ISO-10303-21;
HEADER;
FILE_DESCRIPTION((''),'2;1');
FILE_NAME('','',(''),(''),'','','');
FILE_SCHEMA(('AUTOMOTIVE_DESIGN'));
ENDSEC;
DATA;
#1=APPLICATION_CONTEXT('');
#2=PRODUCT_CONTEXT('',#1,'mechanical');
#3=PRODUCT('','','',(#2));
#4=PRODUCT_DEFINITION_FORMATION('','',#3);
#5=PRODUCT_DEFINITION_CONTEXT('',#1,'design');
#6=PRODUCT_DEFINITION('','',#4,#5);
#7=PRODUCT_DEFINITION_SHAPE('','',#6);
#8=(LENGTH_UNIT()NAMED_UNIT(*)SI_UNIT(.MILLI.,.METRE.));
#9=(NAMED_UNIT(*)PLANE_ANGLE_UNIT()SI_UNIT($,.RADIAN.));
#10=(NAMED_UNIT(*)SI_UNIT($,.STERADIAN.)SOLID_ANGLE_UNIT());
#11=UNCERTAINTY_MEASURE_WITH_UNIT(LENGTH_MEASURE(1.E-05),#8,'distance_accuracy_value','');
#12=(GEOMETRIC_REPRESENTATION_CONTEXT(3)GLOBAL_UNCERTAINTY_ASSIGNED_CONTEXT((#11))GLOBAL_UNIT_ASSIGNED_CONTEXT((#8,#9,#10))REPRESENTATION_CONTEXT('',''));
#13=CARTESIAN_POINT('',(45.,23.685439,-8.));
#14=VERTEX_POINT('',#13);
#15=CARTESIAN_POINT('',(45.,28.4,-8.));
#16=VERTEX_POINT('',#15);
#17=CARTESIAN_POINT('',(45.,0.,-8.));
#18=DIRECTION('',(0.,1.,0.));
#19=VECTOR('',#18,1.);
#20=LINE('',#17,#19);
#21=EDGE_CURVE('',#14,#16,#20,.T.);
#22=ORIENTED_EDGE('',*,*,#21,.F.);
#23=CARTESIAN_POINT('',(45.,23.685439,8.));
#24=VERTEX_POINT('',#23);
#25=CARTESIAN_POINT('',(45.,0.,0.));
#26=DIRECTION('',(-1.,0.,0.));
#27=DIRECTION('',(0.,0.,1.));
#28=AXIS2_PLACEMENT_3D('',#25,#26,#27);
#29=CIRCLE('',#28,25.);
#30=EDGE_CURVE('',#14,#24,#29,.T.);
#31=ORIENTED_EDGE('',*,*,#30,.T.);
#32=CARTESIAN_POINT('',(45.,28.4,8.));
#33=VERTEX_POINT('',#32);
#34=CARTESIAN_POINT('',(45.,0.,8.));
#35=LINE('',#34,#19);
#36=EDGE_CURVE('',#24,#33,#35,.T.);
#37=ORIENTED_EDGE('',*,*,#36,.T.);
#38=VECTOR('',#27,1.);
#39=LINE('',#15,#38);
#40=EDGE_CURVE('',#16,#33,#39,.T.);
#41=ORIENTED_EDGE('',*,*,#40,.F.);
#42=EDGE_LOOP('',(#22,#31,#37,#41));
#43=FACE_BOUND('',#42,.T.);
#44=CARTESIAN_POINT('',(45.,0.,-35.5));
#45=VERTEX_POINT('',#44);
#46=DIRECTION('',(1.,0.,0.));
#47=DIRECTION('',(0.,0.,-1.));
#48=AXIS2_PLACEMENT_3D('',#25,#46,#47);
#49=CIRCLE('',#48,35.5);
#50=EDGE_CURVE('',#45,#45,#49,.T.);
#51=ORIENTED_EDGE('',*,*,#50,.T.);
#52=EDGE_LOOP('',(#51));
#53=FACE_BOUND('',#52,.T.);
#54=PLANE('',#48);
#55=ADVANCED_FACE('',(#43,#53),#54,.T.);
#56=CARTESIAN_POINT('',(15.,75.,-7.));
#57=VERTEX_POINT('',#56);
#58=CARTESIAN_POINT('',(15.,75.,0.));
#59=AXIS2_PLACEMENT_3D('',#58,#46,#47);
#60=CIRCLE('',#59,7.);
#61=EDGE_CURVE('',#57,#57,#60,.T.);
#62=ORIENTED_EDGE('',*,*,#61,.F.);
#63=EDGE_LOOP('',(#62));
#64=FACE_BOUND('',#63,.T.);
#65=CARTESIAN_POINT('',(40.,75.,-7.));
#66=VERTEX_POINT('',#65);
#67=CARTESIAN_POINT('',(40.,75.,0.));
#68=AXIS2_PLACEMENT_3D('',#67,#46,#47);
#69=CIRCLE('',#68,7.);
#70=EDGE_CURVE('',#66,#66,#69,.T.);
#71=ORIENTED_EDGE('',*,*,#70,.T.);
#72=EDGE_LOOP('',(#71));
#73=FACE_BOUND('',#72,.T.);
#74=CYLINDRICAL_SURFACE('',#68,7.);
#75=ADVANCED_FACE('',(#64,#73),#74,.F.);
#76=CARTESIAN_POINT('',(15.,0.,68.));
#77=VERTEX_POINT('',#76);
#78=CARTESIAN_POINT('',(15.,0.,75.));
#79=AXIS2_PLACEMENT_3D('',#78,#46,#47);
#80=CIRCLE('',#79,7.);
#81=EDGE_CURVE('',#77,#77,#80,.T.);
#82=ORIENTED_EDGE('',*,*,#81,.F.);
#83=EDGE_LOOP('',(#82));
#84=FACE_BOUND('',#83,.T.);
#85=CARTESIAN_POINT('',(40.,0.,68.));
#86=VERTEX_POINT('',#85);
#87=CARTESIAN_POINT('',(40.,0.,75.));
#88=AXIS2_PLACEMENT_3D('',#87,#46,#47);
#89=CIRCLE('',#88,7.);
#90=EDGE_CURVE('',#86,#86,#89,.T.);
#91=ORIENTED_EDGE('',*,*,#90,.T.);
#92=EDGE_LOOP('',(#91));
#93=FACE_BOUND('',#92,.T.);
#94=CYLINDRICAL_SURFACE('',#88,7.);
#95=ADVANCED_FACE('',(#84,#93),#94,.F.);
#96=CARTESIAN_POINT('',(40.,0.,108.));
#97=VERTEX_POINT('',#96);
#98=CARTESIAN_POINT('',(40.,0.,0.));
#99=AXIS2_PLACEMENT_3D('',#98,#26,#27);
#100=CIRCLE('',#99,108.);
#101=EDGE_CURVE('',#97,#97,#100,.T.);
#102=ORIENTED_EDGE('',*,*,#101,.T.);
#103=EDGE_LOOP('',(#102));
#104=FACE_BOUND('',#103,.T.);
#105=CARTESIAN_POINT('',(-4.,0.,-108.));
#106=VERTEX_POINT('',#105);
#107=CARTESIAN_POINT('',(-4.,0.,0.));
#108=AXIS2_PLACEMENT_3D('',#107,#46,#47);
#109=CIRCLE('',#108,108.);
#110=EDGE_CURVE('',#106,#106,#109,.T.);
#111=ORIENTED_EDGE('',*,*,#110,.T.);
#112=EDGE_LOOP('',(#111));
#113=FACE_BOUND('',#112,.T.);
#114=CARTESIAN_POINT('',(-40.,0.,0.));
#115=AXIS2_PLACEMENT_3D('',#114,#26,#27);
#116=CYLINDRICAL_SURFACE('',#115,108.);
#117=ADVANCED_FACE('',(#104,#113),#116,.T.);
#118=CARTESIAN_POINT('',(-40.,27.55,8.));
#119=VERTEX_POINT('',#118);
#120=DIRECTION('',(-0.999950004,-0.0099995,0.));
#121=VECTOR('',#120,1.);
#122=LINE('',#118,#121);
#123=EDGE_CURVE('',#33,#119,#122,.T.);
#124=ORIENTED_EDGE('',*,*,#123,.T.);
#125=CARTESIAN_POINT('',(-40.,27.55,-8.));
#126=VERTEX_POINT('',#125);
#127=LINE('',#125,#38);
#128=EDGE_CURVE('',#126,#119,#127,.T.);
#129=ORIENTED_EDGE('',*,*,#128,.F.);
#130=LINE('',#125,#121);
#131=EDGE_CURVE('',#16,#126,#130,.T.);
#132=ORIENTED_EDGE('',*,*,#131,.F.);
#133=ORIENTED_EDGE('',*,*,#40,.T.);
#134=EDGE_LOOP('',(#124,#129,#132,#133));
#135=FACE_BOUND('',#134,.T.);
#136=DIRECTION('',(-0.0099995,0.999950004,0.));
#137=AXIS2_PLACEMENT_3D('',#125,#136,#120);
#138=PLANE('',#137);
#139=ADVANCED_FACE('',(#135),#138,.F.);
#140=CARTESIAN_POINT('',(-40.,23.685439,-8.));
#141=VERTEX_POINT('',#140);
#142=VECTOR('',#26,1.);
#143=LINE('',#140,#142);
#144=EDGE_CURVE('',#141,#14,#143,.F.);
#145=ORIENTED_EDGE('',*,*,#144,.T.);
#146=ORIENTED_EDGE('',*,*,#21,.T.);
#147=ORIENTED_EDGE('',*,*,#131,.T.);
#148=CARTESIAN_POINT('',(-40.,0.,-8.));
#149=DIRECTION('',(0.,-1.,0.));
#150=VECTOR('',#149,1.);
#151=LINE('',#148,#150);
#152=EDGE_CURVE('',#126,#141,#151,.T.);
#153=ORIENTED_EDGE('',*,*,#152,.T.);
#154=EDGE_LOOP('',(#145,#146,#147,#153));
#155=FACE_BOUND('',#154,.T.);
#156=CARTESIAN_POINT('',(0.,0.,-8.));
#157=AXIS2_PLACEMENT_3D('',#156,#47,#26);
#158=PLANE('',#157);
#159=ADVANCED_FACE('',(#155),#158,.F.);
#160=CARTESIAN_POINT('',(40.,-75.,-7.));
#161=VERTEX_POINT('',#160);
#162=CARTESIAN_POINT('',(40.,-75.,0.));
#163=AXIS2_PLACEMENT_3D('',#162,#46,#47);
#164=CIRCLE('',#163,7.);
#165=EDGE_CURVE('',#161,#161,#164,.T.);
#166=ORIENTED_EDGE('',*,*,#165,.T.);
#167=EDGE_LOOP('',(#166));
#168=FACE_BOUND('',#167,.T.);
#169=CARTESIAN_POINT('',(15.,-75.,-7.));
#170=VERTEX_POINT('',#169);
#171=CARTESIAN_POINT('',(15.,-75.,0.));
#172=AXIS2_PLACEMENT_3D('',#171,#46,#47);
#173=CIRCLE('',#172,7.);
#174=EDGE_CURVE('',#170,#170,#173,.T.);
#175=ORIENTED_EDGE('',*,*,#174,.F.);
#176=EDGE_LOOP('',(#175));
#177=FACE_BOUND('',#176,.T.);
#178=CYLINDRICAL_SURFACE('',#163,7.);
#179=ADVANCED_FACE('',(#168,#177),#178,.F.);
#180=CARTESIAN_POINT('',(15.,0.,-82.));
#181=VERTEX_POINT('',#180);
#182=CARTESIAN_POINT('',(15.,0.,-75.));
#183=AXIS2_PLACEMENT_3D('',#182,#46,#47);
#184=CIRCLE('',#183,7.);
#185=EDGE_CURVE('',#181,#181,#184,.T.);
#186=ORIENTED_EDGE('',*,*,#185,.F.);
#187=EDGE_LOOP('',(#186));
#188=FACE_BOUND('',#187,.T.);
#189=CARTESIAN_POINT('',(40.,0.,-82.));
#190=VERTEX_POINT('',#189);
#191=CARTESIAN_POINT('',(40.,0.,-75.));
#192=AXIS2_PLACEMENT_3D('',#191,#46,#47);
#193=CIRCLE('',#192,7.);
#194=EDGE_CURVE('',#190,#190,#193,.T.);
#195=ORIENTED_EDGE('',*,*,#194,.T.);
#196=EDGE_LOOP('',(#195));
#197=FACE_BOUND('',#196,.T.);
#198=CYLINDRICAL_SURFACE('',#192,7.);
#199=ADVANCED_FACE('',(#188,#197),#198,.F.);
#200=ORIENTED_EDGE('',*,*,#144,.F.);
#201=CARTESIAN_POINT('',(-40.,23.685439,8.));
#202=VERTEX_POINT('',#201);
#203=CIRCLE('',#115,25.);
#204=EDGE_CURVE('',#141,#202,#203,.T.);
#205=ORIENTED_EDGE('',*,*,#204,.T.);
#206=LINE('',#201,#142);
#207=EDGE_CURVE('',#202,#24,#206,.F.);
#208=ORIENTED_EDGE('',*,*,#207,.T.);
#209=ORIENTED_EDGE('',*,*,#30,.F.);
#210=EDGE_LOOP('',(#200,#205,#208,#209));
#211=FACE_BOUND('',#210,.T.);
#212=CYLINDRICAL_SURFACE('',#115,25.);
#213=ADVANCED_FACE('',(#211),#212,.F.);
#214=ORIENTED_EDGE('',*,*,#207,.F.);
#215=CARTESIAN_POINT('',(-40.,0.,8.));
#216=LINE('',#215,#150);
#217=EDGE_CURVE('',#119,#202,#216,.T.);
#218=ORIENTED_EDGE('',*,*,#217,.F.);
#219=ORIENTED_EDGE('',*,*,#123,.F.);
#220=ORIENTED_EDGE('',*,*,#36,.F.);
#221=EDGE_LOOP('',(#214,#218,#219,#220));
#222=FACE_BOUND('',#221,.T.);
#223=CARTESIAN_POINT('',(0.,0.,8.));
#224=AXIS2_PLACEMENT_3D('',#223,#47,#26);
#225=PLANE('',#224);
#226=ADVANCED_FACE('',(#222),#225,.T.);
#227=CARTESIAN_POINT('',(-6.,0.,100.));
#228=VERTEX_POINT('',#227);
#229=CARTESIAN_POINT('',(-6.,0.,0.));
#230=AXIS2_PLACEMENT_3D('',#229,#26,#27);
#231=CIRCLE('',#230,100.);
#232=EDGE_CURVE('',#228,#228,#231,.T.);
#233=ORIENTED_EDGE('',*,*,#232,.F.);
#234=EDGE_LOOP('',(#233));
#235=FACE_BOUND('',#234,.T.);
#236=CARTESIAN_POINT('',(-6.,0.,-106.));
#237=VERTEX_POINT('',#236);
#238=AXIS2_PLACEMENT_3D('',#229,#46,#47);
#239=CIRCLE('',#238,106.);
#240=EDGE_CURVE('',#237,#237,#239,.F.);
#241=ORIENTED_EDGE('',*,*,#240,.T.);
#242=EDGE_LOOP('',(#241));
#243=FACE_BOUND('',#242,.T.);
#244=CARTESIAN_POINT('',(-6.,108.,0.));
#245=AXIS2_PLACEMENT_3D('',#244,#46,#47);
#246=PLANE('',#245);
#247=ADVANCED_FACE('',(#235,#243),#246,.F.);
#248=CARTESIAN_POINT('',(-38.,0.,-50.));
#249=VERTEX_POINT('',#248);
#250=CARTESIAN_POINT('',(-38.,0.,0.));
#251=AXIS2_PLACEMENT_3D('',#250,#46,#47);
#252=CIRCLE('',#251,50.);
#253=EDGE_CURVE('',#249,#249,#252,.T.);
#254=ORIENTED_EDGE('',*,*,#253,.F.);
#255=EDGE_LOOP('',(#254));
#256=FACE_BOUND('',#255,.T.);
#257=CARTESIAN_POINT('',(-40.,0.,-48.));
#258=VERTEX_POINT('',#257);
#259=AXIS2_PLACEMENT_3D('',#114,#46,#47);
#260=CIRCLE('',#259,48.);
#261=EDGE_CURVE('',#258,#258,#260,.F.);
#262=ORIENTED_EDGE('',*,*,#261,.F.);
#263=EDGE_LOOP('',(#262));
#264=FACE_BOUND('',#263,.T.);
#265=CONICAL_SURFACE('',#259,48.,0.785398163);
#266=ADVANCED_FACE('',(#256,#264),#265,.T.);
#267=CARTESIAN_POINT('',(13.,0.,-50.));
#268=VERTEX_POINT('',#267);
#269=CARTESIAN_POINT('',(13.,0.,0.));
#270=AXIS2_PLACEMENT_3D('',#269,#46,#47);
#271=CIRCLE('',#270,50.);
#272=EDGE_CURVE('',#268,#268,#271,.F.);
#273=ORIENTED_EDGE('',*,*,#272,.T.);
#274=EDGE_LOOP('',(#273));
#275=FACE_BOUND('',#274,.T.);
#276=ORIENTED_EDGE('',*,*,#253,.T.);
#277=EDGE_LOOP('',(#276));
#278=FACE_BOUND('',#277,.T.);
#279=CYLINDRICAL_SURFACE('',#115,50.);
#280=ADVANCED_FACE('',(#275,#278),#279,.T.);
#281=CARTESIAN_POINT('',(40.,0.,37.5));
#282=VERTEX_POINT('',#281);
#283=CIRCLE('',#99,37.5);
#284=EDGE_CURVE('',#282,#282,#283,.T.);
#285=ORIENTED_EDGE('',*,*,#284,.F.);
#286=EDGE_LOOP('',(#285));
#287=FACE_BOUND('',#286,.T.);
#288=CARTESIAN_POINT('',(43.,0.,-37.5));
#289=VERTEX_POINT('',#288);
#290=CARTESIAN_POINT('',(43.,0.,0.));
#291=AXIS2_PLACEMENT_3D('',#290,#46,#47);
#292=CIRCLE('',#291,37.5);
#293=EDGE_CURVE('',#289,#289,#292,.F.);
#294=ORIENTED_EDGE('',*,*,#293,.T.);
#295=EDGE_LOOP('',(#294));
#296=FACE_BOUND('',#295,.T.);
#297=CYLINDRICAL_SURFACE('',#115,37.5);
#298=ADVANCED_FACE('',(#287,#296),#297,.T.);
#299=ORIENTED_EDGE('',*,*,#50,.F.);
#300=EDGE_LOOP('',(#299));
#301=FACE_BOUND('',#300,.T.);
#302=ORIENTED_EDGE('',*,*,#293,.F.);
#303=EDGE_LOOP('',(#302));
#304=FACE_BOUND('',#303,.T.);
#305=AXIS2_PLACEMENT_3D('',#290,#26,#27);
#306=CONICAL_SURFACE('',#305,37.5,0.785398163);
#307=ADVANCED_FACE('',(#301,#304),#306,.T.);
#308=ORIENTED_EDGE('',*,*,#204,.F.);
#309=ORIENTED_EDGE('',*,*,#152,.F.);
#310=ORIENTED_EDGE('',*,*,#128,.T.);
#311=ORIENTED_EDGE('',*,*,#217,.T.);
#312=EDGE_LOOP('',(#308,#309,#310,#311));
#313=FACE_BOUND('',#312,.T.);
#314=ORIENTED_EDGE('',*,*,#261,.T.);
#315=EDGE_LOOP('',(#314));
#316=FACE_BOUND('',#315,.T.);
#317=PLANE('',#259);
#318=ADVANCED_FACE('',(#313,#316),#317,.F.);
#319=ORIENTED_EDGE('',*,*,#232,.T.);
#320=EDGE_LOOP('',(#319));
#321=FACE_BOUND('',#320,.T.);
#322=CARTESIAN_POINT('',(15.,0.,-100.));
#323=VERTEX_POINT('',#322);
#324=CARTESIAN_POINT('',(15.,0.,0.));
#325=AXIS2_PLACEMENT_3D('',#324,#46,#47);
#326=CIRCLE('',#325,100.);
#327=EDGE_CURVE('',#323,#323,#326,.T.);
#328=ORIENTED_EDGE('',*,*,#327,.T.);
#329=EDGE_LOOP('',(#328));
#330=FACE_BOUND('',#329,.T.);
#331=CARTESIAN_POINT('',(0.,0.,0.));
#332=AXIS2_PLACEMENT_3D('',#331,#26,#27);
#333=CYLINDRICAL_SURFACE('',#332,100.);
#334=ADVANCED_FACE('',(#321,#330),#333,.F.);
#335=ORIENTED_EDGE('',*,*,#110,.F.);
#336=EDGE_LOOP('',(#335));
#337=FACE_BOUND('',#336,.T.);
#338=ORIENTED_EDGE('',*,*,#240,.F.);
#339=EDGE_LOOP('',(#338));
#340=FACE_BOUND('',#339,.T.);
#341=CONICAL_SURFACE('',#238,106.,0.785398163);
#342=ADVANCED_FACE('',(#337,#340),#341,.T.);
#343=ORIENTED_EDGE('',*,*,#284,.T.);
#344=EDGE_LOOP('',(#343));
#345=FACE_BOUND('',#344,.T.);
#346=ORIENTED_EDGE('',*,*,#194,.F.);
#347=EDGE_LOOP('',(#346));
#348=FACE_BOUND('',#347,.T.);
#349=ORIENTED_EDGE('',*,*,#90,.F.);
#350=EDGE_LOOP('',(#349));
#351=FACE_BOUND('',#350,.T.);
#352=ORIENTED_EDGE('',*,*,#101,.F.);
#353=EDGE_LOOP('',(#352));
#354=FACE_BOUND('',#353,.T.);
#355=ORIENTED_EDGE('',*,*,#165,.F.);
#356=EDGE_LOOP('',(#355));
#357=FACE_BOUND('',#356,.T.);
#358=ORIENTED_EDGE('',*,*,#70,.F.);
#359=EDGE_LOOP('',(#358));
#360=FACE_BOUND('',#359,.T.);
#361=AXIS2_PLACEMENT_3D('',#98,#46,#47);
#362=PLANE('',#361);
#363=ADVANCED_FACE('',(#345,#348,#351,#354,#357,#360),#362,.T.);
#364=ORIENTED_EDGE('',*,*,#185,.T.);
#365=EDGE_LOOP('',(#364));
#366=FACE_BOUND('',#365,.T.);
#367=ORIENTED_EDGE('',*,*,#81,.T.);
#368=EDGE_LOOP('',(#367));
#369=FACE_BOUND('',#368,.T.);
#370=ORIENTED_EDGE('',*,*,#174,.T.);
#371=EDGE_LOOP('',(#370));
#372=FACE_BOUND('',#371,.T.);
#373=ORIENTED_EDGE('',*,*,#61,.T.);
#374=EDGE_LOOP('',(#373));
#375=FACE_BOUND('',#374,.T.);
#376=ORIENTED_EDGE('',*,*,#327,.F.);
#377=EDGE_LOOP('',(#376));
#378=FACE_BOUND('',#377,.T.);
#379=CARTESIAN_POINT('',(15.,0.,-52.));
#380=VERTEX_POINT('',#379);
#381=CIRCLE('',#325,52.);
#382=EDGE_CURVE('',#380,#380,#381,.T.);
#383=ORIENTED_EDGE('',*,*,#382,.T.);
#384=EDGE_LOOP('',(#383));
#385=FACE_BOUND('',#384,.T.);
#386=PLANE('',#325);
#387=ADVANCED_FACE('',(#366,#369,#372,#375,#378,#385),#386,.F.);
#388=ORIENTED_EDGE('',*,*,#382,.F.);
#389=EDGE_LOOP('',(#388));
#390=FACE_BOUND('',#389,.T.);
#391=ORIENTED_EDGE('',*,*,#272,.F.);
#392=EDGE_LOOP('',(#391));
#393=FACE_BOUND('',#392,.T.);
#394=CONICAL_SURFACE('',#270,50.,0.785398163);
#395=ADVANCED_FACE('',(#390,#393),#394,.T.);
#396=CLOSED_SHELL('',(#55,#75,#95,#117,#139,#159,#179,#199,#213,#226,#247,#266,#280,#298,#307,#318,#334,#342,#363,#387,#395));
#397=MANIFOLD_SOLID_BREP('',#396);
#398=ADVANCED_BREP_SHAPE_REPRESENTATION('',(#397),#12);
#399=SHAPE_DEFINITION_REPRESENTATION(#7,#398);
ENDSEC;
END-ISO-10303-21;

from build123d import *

# Parameters (mm, degrees)
M16X2_0_TAPPED_HOLE1_D = 14
SKETCH4_W              = 21
SKETCH4_H              = 8
CUT_EXTRUDE1_DEPTH     = 8
CHAMFER2_SIZE          = 2


with BuildPart() as part:
    # Sketch1 → Revolve1 (revolve)
    with BuildSketch(Plane.XY, mode=Mode.PRIVATE) as revolve1_sk:
        Polygon((-40, 25), (40, 25), (45, 25), (45, 37.5), (40, 37.5), (40, 108), (15, 108), (15, 50), (-40, 50), align=None)
    revolve(revolve1_sk.sketch.rotate(Axis((-40, 0, 0), (1, 0, 0)), 90), axis=Axis((-40, 0, 0), (1, 0, 0)))

    # M16x2.0 Tapped Hole1 (through all)
    with Locations(Plane(origin=(40, 0, 0), x_dir=(0, 0, -1), z_dir=(1, 0, 0))):
        with Locations((-75, 0), (0, 75), (75, 0), (0, -75)):
            Hole(M16X2_0_TAPPED_HOLE1_D / 2)

    # Sketch4 → Revolve2 (revolve)
    with BuildSketch(Plane.XY, mode=Mode.PRIVATE) as revolve2_sk:
        with Locations((4.5, 104)):
            Rectangle(SKETCH4_W, SKETCH4_H)
    revolve(revolve2_sk.sketch.rotate(Axis((0, 0, 0), (1, 0, 0)), 90), axis=Axis((0, 0, 0), (1, 0, 0)))

    # Sketch5 → Cut-Extrude1 (cut, symmetric)
    with BuildSketch(Plane.XY):
        Polygon((-40, 0), (45, 0), (45, 28.4), (-40, 27.55), align=None)
    extrude(amount=CUT_EXTRUDE1_DEPTH, both=True, mode=Mode.SUBTRACT)

    # Chamfer2
    chamfer2_edges = [part.edges().sort_by_distance(p)[0] for p in [
        (45, 0, -37.5),
        (-6, 0, -108),
        (-40, 0, -50),
        (15, 0, -50),
    ]]
    chamfer(chamfer2_edges, length=CHAMFER2_SIZE)


solid = part.part
